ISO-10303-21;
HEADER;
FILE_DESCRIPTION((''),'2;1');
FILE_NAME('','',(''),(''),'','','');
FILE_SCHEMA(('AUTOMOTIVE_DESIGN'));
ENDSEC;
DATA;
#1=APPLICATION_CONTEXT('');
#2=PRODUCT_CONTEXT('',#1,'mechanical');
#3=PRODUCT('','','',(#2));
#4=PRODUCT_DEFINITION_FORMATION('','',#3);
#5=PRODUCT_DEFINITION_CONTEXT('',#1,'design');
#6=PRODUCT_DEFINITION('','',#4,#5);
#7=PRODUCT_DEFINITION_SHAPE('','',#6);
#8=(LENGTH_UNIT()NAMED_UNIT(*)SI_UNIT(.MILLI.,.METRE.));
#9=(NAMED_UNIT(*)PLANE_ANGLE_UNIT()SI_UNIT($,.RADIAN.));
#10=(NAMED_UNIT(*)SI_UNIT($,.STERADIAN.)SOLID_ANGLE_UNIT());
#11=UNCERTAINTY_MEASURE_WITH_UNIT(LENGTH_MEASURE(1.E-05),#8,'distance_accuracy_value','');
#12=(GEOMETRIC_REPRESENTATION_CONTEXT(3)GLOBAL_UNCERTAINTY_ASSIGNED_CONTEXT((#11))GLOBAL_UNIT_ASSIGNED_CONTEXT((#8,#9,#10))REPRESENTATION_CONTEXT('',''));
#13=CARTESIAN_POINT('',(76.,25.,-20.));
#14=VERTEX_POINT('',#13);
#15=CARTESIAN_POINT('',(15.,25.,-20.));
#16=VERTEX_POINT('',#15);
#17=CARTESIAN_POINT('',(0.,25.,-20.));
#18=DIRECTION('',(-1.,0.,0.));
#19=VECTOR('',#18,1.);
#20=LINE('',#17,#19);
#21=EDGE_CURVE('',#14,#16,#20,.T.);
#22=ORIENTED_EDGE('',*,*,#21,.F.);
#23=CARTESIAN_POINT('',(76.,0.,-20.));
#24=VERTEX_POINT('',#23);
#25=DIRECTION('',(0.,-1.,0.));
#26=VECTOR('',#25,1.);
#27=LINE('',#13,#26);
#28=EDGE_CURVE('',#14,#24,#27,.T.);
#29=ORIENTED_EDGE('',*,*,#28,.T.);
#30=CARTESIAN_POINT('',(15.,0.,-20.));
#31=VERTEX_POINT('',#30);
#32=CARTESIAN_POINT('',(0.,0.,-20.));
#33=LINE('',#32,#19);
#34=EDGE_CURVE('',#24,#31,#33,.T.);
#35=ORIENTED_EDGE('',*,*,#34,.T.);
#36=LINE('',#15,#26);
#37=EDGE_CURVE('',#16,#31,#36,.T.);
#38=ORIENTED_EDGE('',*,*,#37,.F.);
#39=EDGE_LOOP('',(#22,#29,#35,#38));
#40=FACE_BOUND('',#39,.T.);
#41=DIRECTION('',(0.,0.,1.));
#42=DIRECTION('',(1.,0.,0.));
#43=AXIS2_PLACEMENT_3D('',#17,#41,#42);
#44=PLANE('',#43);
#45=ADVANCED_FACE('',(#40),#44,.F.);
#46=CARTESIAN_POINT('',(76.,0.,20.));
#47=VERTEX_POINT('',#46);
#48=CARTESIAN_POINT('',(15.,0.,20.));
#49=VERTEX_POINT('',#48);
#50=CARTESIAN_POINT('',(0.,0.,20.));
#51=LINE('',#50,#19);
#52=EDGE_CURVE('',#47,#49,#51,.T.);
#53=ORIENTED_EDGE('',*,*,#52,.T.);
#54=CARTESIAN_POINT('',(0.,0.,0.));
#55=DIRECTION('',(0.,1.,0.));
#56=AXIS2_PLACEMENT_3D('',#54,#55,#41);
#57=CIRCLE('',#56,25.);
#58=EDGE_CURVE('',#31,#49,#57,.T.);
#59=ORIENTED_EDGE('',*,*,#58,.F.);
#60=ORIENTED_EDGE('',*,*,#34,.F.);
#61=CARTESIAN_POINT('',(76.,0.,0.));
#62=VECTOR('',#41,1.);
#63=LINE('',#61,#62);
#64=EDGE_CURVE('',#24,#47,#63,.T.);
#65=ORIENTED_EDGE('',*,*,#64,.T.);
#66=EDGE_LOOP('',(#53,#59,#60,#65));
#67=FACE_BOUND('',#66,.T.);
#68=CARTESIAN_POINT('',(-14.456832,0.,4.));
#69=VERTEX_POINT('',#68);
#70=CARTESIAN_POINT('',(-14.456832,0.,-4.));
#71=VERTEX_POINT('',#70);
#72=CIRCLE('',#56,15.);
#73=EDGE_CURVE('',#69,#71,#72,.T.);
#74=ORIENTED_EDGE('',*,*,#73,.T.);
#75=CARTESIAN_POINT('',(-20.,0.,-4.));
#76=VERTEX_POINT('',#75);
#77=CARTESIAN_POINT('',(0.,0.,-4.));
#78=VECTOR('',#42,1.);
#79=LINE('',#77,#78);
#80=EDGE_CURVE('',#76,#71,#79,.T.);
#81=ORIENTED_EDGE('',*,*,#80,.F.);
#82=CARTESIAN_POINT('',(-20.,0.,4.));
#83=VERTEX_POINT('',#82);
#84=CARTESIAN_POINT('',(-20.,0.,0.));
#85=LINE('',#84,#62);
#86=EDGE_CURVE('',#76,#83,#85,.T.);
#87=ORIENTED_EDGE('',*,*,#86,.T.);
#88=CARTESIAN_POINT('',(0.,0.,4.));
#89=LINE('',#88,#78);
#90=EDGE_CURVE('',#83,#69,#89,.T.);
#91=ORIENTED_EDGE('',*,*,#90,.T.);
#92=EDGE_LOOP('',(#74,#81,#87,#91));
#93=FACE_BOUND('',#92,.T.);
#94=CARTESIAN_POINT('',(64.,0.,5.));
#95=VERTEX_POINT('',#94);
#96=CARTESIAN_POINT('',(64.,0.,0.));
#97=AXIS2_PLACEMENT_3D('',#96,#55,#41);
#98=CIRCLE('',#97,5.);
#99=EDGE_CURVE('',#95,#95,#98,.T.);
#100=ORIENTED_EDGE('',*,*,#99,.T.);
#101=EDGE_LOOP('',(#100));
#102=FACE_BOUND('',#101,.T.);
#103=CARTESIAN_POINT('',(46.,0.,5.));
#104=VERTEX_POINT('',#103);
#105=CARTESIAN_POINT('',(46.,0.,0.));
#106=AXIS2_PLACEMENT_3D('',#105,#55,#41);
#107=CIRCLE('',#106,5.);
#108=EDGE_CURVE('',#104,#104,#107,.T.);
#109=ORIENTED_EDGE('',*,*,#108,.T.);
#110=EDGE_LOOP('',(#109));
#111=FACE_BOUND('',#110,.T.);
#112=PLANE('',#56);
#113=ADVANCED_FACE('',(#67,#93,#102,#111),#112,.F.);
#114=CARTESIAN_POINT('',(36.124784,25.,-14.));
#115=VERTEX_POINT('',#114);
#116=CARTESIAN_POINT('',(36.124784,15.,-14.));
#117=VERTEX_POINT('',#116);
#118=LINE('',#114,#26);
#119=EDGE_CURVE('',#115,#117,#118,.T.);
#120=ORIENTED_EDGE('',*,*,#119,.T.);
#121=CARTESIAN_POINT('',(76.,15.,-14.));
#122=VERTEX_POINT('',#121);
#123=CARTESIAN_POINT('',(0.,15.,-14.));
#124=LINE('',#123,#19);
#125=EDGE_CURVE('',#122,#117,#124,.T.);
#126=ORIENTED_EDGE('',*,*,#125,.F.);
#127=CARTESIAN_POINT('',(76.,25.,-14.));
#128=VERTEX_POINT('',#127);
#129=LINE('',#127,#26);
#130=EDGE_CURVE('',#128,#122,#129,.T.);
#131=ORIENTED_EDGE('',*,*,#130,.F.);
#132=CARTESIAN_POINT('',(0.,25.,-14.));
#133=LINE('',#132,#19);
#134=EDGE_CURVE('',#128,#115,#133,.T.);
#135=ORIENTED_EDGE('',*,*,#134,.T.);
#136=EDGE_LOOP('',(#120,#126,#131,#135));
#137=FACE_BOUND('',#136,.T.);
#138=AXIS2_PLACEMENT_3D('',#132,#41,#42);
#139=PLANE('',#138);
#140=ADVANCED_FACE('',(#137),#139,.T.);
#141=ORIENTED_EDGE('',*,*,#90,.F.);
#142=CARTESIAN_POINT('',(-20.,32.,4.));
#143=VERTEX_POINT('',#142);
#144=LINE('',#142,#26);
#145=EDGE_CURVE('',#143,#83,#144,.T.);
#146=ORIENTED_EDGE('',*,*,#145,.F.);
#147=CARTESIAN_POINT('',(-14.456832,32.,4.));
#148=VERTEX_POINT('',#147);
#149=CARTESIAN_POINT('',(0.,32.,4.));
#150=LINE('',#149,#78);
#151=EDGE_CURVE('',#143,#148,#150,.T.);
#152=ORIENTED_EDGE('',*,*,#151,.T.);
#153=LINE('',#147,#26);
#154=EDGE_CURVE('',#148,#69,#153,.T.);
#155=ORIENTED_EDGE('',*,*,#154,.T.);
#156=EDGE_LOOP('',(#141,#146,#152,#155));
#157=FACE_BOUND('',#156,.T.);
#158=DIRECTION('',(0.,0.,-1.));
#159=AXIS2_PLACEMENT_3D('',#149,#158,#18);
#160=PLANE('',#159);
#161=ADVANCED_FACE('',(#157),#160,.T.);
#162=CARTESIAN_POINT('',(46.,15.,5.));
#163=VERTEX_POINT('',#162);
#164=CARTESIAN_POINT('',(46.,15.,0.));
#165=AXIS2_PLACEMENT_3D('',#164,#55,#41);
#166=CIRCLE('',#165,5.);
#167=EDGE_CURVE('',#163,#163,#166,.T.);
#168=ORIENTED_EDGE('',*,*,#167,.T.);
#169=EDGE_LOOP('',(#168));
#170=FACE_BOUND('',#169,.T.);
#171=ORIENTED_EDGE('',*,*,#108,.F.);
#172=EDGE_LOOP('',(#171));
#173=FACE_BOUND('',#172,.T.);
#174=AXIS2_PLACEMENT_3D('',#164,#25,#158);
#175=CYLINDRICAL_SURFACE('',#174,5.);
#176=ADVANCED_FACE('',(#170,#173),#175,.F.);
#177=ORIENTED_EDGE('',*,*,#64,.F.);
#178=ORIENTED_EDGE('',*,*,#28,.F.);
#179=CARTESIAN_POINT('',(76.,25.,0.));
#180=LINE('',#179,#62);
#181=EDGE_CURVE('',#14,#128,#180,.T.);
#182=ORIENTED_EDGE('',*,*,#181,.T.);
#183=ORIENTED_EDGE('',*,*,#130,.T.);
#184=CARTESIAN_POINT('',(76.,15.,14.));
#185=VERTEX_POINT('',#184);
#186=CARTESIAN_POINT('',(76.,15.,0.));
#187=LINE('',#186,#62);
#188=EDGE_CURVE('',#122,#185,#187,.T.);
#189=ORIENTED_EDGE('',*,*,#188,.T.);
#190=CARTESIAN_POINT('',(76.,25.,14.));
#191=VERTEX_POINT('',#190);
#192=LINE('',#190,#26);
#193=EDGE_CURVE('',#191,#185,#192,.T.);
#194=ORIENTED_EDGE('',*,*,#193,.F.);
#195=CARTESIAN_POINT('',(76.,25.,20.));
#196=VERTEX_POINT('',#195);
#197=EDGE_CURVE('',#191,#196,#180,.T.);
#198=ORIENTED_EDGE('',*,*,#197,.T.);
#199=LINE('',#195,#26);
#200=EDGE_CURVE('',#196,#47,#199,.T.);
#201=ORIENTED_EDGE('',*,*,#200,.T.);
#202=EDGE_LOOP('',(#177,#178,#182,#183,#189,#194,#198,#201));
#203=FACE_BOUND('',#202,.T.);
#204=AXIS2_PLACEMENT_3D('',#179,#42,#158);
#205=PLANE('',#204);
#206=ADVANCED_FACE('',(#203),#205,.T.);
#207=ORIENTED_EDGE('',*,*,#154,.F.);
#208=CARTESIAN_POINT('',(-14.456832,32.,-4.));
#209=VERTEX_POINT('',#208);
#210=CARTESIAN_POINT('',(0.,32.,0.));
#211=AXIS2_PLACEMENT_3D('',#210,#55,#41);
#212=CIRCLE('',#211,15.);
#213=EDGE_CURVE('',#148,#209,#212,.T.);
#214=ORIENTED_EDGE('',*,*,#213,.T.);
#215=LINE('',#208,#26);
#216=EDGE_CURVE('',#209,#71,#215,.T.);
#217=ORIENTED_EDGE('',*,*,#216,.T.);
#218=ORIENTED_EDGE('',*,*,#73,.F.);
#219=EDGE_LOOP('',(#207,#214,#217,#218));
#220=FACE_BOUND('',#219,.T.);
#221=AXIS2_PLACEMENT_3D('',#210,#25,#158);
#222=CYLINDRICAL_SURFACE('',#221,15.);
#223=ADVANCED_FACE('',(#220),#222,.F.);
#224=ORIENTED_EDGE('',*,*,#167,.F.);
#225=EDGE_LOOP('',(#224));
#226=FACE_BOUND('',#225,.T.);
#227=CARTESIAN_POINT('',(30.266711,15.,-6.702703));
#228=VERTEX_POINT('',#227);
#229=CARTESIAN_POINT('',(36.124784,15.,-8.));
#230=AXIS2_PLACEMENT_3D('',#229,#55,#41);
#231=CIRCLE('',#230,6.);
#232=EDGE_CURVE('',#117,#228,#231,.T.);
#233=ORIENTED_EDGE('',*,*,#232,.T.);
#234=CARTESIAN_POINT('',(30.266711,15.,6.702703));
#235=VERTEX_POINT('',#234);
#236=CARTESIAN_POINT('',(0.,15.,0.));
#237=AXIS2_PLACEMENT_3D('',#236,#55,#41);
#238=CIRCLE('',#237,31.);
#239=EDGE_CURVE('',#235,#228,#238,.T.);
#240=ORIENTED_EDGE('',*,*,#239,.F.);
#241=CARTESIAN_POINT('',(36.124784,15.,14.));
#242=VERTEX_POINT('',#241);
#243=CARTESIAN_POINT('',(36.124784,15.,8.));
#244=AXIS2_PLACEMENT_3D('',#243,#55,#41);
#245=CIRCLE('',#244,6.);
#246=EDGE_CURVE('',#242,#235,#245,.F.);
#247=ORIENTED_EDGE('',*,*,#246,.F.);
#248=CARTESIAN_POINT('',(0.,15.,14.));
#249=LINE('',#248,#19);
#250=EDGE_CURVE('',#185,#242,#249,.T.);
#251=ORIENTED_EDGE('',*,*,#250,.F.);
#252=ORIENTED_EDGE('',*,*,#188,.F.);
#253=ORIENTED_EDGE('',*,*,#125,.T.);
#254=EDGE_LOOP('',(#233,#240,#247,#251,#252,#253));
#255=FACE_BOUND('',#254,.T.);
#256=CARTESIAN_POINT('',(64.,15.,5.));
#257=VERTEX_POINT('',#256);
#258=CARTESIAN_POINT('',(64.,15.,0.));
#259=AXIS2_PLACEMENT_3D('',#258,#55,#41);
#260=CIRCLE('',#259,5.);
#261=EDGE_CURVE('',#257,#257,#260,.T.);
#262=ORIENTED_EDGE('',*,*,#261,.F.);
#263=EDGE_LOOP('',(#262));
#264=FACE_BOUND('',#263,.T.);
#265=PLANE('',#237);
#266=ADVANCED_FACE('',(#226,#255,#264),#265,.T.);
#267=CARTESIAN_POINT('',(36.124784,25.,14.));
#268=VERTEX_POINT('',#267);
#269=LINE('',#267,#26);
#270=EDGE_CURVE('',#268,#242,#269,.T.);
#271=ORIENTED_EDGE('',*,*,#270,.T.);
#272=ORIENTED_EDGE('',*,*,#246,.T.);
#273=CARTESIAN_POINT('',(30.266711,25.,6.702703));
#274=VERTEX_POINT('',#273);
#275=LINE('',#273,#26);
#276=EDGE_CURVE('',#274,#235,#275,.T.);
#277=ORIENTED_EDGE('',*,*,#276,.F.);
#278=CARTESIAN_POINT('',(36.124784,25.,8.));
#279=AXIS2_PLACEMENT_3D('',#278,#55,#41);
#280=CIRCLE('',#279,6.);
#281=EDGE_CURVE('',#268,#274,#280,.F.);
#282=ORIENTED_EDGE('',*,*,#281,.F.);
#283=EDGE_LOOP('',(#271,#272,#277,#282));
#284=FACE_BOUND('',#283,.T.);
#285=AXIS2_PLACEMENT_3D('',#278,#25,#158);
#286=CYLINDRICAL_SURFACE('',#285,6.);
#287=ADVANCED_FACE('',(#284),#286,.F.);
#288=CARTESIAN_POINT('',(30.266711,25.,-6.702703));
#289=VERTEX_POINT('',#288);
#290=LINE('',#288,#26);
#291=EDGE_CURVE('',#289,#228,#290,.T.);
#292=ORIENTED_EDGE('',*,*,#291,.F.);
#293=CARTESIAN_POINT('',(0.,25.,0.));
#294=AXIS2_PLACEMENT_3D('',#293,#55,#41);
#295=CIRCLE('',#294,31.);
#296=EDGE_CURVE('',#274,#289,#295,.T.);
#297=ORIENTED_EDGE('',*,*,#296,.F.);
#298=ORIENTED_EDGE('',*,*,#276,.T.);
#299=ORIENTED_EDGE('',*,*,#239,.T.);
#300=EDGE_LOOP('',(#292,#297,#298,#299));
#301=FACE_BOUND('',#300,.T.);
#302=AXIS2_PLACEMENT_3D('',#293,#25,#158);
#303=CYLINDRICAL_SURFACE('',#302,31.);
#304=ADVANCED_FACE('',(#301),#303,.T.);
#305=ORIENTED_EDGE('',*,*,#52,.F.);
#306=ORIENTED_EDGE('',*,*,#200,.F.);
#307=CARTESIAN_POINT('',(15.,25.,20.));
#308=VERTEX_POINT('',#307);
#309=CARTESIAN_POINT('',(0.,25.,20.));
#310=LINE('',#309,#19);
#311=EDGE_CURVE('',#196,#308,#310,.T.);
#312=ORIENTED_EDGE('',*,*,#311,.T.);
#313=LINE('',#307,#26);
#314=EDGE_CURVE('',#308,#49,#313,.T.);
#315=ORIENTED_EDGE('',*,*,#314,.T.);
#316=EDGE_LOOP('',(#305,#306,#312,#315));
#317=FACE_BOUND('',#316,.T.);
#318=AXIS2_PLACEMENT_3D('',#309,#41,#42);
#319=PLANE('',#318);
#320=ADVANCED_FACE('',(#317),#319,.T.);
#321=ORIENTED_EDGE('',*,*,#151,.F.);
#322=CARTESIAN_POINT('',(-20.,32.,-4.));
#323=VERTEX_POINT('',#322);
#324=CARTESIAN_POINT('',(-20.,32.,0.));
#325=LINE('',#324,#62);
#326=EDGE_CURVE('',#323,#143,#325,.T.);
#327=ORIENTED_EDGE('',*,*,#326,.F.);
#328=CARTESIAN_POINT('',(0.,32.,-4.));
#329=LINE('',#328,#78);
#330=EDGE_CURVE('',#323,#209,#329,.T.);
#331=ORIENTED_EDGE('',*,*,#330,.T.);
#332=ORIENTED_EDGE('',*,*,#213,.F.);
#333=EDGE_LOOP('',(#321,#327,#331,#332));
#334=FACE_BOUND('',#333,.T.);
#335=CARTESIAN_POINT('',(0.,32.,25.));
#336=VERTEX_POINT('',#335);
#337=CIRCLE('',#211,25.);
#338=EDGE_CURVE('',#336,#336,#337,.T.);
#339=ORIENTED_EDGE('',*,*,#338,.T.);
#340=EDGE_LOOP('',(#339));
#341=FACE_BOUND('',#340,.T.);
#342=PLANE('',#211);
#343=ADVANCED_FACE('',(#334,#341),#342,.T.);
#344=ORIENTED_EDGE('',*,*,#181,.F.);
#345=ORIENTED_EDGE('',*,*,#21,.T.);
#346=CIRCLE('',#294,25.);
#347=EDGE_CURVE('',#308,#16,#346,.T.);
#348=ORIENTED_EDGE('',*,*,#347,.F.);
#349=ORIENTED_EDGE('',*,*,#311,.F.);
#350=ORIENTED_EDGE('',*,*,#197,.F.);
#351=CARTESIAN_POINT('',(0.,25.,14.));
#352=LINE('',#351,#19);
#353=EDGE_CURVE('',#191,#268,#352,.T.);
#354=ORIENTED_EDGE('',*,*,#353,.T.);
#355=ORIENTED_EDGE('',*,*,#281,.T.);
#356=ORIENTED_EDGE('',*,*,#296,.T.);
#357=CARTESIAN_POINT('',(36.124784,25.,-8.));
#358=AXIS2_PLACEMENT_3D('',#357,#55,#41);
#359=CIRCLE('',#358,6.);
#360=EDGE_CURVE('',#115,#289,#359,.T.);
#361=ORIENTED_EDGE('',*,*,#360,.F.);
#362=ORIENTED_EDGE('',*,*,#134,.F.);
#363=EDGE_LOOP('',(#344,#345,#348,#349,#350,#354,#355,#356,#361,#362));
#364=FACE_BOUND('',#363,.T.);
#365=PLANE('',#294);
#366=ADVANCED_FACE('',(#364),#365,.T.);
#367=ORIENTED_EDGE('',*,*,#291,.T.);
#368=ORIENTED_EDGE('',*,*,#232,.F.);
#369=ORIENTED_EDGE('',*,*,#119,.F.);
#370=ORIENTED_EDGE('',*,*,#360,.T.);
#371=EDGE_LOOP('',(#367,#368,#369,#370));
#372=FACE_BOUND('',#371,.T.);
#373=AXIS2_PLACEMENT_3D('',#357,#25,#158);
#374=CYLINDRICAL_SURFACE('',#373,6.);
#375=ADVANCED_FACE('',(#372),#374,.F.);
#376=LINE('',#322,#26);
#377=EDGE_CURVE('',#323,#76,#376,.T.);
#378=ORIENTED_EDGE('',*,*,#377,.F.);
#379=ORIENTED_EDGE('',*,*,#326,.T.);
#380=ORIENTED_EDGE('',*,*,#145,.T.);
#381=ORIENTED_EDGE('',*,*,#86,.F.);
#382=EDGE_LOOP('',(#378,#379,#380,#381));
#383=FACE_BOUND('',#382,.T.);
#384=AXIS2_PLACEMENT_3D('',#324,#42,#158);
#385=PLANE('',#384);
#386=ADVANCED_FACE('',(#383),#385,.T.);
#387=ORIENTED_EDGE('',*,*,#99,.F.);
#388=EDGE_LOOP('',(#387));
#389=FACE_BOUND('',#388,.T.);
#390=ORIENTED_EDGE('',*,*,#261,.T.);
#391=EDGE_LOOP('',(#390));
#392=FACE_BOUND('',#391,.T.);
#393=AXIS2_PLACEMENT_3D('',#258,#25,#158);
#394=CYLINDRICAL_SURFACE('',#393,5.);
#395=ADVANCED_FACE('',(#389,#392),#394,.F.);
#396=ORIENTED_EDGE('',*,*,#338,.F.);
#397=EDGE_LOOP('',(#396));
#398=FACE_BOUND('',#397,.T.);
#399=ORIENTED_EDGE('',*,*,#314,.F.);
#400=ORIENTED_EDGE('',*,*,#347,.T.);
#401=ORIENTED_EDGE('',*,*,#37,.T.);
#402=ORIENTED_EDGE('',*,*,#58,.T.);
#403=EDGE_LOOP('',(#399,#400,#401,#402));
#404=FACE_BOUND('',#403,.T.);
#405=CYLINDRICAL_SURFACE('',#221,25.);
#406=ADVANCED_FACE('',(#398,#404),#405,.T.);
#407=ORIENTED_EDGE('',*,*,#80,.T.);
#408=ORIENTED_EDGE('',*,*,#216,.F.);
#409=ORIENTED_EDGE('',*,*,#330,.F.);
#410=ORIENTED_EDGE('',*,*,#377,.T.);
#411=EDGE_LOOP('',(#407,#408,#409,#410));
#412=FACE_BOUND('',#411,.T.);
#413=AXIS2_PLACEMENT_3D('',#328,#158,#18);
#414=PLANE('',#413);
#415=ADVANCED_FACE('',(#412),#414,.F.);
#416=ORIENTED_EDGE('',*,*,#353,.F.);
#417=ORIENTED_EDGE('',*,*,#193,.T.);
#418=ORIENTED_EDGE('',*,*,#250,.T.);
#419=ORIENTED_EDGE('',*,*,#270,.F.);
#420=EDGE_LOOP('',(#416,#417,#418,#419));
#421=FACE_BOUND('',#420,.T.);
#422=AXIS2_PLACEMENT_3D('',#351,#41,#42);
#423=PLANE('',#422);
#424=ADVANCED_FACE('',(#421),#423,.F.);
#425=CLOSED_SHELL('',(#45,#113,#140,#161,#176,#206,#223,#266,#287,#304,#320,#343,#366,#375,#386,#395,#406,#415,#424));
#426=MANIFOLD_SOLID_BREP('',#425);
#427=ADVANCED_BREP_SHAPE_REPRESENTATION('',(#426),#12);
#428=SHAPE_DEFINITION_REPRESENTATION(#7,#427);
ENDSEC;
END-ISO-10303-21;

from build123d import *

# Parameters (mm, degrees)
EXTRUDE_1_DEPTH = 32
EXTRUDE_2_DEPTH = 25
EXTRUDE_3_DEPTH = 15


with BuildPart() as part:
    # 草图1 → 凸台-拉伸1 (new body)
    with BuildSketch(Plane(origin=(0, 0, 0), x_dir=(1, 0, 0), z_dir=(0, 1, 0))):
        with BuildLine():
            ThreePointArc((15, -20), (22.360679775, -11.180339887), (25, 0))
            ThreePointArc((25, 0), (22.360679775, 11.180339887), (15, 20))
            ThreePointArc((15, 20), (-25, 0), (15, -20))
        make_face()
        with BuildLine():
            Line((-20, 0), (-20, 4))
            Line((-20, 4), (-14.456832295, 4))
            ThreePointArc((-14.456832295, 4), (15, 0), (-14.456832295, -4))
            Line((-14.456832295, -4), (-20, -4))
            Line((-20, -4), (-20, 0))
        make_face(mode=Mode.SUBTRACT)
    extrude(amount=EXTRUDE_1_DEPTH)

    # 草图1<3> → 凸台-拉伸2 (add)
    with BuildSketch(Plane(origin=(0, 0, 0), x_dir=(1, 0, 0), z_dir=(0, 1, 0))):
        with BuildLine():
            ThreePointArc((15, 20), (25, 0), (15, -20))
            Line((15, -20), (76, -20))
            Line((76, -20), (76, -14))
            Line((76, -14), (36.124783736, -14))
            ThreePointArc((36.124783736, -14), (31.445906532, -11.756076158), (30.266710698, -6.702702703))
            ThreePointArc((30.266710698, -6.702702703), (31, 0), (30.266710698, 6.702702703))
            ThreePointArc((30.266710698, 6.702702703), (31.445906532, 11.756076158), (36.124783736, 14))
            Line((36.124783736, 14), (76, 14))
            Line((76, 14), (76, 20))
            Line((76, 20), (15, 20))
        make_face()
    extrude(amount=EXTRUDE_2_DEPTH)

    # 草图1<4> → 凸台-拉伸3 (add)
    with BuildSketch(Plane(origin=(0, 0, 0), x_dir=(1, 0, 0), z_dir=(0, 1, 0))):
        with BuildLine():
            ThreePointArc((30.266710698, 6.702702703), (30.816132396, 3.371347532), (31, 0))
            ThreePointArc((31, 0), (30.816132396, -3.371347532), (30.266710698, -6.702702703))
            ThreePointArc((30.266710698, -6.702702703), (31.445906532, -11.756076158), (36.124783736, -14))
            Line((36.124783736, -14), (76, -14))
            Line((76, -14), (76, 0))
            Line((76, 0), (76, 14))
            Line((76, 14), (36.124783736, 14))
            ThreePointArc((36.124783736, 14), (31.445906532, 11.756076158), (30.266710698, 6.702702703))
        make_face()
        with BuildLine():
            ThreePointArc((41, 0), (46, 5), (51, 0))
            ThreePointArc((51, 0), (46, -5), (41, 0))
        make_face(mode=Mode.SUBTRACT)
        with BuildLine():
            ThreePointArc((59, 0), (64, 5), (69, 0))
            ThreePointArc((69, 0), (64, -5), (59, 0))
        make_face(mode=Mode.SUBTRACT)
    extrude(amount=EXTRUDE_3_DEPTH)


solid = part.part
